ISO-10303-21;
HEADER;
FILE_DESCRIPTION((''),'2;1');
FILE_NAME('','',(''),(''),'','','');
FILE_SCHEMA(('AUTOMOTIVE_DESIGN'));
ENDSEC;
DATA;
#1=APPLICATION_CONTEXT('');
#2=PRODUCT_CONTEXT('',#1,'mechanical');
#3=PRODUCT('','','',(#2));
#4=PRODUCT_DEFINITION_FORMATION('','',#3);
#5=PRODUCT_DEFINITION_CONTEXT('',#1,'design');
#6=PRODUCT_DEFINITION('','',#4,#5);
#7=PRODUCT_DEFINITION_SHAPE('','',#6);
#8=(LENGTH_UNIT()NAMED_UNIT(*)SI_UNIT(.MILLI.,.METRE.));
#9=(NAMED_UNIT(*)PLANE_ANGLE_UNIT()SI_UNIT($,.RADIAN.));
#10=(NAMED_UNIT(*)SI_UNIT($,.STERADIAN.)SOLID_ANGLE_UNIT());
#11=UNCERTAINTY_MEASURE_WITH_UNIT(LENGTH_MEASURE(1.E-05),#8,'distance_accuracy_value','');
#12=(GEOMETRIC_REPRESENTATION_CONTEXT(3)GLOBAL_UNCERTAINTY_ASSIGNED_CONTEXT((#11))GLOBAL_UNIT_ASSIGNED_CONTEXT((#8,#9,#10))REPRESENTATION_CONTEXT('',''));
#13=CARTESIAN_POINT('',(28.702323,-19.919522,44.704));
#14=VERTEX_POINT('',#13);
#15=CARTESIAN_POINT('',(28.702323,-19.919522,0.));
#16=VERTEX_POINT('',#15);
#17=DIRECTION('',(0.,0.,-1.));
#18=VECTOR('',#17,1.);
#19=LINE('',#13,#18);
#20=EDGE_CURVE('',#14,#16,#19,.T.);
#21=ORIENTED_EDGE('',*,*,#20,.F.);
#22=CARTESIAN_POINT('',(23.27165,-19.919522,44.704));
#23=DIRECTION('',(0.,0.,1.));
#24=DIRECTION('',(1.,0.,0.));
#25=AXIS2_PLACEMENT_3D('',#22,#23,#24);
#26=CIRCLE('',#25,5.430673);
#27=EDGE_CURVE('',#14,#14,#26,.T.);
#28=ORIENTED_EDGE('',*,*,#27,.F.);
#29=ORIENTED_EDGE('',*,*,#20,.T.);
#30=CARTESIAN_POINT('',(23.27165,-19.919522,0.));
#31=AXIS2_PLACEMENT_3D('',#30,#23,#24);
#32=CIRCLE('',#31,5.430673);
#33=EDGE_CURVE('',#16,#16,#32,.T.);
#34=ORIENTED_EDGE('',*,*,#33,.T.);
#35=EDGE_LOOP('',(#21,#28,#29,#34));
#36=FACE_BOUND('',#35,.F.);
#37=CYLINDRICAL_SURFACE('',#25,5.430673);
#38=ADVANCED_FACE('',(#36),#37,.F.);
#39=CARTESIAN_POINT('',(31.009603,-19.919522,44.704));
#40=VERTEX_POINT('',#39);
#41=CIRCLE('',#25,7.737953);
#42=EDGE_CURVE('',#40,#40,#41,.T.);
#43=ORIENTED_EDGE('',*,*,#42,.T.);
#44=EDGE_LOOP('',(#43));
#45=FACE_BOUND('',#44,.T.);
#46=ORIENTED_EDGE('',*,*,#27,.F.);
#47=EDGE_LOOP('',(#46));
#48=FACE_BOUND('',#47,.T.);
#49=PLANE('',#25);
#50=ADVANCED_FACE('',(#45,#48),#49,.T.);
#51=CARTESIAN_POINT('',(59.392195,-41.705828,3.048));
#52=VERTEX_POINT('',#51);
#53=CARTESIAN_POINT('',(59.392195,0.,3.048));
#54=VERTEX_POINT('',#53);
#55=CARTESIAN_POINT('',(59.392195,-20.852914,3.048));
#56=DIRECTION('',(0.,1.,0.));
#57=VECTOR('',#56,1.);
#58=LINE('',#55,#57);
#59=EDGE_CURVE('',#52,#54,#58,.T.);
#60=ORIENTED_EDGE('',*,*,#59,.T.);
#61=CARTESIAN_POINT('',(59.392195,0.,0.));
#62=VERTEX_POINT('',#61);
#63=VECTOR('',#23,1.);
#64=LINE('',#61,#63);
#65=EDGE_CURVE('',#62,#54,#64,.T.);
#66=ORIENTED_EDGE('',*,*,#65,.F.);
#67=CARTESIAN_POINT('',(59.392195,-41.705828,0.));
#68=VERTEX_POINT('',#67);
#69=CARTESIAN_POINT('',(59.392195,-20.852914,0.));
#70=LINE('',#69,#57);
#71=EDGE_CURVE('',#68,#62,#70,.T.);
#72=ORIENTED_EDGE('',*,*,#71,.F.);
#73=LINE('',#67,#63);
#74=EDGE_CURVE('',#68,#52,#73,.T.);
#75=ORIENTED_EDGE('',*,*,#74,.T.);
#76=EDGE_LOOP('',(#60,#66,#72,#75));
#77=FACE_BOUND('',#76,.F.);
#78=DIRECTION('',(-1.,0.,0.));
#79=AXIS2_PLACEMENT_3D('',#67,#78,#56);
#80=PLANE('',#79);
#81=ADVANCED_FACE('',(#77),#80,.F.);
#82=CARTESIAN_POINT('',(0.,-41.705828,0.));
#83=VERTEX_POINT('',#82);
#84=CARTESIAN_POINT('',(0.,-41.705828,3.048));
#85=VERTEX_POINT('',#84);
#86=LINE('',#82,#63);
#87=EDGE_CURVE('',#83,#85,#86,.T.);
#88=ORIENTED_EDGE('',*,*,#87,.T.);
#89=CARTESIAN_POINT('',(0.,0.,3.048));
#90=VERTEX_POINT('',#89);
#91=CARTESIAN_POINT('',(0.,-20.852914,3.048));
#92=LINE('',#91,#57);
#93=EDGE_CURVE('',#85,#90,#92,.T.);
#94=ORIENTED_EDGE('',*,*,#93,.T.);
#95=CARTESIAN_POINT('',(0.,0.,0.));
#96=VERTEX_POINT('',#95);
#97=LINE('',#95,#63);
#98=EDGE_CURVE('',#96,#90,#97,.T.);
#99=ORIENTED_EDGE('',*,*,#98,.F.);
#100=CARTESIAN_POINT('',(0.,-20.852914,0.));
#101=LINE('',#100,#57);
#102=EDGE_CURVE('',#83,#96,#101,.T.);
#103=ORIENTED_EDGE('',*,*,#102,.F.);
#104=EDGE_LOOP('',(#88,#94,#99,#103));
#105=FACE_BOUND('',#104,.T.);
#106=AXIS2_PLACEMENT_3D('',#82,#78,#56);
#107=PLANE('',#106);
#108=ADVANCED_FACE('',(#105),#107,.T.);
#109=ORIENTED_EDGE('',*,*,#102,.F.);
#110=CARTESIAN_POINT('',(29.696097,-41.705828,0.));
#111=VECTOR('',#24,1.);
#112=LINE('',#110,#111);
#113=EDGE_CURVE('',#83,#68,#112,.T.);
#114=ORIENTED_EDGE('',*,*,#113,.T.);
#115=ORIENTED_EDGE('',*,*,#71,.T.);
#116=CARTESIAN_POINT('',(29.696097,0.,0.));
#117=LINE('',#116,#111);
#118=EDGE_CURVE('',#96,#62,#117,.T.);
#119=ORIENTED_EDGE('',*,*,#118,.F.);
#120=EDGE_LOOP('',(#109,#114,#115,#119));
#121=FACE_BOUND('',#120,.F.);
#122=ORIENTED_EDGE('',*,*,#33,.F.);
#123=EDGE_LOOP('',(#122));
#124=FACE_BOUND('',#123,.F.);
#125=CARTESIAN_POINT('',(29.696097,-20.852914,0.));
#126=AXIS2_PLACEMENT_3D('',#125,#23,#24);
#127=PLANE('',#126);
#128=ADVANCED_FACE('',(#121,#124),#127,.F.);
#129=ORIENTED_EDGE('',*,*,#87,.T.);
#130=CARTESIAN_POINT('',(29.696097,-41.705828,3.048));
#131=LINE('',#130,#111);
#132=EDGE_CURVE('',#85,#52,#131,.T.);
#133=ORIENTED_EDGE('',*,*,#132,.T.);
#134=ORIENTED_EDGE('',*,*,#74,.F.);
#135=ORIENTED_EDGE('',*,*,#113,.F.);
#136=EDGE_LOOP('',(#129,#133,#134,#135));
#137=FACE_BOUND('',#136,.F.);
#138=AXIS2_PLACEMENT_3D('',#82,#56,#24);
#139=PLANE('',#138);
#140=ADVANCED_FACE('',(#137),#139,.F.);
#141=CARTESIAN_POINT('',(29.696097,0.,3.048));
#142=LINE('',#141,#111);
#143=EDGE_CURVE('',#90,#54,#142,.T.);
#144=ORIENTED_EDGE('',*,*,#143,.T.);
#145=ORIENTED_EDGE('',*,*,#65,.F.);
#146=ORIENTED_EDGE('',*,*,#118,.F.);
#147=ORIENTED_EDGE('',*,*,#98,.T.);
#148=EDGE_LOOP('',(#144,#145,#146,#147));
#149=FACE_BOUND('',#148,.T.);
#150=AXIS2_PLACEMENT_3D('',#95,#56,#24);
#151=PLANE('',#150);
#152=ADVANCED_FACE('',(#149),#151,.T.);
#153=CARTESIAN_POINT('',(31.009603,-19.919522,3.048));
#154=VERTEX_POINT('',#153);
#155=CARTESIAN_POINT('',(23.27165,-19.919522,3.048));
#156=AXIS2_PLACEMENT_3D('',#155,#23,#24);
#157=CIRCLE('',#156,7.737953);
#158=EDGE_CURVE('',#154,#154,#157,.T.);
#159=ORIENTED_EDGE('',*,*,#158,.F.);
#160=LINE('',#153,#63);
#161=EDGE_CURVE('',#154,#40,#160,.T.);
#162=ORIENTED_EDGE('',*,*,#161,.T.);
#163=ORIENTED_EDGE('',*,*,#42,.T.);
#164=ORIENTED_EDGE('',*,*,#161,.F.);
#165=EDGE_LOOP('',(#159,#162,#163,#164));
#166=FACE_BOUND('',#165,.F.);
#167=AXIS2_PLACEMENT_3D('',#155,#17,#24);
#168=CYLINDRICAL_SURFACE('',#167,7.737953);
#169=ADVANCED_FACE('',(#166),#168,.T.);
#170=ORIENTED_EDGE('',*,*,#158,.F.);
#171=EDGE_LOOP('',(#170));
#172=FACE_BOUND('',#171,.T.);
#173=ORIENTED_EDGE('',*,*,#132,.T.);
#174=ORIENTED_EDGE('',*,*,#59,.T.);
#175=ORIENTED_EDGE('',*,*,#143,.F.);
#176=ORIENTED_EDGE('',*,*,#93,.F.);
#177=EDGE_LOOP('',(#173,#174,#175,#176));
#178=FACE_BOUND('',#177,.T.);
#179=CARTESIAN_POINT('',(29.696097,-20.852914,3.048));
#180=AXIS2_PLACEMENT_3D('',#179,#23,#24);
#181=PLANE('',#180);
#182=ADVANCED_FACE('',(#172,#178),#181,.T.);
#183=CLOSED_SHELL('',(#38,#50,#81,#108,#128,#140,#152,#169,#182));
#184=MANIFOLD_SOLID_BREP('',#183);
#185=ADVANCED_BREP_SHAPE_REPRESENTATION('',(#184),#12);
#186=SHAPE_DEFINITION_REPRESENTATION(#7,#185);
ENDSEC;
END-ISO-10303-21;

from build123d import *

# Parameters (mm, degrees)
F0_W     = 59.392195
F0_H     = 41.705828
F1_DEPTH = 3.048
F2_R     = 7.737953
F3_DEPTH = 41.656
F4_R     = 5.430673
F5_DEPTH = 50.8


with BuildPart() as f1:
    # F0 (on Top) → F1 (new body)
    with BuildSketch(Plane.XY):
        with Locations((29.696097, -20.852914)):
            Rectangle(F0_W, F0_H)
    extrude(amount=F1_DEPTH)

    # F2 (on face) → F3 (join)
    with BuildSketch(Plane.XY.offset(3.048)):
        with Locations((23.27165, -19.919522)):
            Circle(F2_R)
    extrude(amount=F3_DEPTH)

    # F4 (on face) → F5 (cut)
    with BuildSketch(Plane.XY.offset(44.704)):
        with Locations((23.27165, -19.919522)):
            Circle(F4_R)
    extrude(amount=-F5_DEPTH, mode=Mode.SUBTRACT)


solid = f1.part
